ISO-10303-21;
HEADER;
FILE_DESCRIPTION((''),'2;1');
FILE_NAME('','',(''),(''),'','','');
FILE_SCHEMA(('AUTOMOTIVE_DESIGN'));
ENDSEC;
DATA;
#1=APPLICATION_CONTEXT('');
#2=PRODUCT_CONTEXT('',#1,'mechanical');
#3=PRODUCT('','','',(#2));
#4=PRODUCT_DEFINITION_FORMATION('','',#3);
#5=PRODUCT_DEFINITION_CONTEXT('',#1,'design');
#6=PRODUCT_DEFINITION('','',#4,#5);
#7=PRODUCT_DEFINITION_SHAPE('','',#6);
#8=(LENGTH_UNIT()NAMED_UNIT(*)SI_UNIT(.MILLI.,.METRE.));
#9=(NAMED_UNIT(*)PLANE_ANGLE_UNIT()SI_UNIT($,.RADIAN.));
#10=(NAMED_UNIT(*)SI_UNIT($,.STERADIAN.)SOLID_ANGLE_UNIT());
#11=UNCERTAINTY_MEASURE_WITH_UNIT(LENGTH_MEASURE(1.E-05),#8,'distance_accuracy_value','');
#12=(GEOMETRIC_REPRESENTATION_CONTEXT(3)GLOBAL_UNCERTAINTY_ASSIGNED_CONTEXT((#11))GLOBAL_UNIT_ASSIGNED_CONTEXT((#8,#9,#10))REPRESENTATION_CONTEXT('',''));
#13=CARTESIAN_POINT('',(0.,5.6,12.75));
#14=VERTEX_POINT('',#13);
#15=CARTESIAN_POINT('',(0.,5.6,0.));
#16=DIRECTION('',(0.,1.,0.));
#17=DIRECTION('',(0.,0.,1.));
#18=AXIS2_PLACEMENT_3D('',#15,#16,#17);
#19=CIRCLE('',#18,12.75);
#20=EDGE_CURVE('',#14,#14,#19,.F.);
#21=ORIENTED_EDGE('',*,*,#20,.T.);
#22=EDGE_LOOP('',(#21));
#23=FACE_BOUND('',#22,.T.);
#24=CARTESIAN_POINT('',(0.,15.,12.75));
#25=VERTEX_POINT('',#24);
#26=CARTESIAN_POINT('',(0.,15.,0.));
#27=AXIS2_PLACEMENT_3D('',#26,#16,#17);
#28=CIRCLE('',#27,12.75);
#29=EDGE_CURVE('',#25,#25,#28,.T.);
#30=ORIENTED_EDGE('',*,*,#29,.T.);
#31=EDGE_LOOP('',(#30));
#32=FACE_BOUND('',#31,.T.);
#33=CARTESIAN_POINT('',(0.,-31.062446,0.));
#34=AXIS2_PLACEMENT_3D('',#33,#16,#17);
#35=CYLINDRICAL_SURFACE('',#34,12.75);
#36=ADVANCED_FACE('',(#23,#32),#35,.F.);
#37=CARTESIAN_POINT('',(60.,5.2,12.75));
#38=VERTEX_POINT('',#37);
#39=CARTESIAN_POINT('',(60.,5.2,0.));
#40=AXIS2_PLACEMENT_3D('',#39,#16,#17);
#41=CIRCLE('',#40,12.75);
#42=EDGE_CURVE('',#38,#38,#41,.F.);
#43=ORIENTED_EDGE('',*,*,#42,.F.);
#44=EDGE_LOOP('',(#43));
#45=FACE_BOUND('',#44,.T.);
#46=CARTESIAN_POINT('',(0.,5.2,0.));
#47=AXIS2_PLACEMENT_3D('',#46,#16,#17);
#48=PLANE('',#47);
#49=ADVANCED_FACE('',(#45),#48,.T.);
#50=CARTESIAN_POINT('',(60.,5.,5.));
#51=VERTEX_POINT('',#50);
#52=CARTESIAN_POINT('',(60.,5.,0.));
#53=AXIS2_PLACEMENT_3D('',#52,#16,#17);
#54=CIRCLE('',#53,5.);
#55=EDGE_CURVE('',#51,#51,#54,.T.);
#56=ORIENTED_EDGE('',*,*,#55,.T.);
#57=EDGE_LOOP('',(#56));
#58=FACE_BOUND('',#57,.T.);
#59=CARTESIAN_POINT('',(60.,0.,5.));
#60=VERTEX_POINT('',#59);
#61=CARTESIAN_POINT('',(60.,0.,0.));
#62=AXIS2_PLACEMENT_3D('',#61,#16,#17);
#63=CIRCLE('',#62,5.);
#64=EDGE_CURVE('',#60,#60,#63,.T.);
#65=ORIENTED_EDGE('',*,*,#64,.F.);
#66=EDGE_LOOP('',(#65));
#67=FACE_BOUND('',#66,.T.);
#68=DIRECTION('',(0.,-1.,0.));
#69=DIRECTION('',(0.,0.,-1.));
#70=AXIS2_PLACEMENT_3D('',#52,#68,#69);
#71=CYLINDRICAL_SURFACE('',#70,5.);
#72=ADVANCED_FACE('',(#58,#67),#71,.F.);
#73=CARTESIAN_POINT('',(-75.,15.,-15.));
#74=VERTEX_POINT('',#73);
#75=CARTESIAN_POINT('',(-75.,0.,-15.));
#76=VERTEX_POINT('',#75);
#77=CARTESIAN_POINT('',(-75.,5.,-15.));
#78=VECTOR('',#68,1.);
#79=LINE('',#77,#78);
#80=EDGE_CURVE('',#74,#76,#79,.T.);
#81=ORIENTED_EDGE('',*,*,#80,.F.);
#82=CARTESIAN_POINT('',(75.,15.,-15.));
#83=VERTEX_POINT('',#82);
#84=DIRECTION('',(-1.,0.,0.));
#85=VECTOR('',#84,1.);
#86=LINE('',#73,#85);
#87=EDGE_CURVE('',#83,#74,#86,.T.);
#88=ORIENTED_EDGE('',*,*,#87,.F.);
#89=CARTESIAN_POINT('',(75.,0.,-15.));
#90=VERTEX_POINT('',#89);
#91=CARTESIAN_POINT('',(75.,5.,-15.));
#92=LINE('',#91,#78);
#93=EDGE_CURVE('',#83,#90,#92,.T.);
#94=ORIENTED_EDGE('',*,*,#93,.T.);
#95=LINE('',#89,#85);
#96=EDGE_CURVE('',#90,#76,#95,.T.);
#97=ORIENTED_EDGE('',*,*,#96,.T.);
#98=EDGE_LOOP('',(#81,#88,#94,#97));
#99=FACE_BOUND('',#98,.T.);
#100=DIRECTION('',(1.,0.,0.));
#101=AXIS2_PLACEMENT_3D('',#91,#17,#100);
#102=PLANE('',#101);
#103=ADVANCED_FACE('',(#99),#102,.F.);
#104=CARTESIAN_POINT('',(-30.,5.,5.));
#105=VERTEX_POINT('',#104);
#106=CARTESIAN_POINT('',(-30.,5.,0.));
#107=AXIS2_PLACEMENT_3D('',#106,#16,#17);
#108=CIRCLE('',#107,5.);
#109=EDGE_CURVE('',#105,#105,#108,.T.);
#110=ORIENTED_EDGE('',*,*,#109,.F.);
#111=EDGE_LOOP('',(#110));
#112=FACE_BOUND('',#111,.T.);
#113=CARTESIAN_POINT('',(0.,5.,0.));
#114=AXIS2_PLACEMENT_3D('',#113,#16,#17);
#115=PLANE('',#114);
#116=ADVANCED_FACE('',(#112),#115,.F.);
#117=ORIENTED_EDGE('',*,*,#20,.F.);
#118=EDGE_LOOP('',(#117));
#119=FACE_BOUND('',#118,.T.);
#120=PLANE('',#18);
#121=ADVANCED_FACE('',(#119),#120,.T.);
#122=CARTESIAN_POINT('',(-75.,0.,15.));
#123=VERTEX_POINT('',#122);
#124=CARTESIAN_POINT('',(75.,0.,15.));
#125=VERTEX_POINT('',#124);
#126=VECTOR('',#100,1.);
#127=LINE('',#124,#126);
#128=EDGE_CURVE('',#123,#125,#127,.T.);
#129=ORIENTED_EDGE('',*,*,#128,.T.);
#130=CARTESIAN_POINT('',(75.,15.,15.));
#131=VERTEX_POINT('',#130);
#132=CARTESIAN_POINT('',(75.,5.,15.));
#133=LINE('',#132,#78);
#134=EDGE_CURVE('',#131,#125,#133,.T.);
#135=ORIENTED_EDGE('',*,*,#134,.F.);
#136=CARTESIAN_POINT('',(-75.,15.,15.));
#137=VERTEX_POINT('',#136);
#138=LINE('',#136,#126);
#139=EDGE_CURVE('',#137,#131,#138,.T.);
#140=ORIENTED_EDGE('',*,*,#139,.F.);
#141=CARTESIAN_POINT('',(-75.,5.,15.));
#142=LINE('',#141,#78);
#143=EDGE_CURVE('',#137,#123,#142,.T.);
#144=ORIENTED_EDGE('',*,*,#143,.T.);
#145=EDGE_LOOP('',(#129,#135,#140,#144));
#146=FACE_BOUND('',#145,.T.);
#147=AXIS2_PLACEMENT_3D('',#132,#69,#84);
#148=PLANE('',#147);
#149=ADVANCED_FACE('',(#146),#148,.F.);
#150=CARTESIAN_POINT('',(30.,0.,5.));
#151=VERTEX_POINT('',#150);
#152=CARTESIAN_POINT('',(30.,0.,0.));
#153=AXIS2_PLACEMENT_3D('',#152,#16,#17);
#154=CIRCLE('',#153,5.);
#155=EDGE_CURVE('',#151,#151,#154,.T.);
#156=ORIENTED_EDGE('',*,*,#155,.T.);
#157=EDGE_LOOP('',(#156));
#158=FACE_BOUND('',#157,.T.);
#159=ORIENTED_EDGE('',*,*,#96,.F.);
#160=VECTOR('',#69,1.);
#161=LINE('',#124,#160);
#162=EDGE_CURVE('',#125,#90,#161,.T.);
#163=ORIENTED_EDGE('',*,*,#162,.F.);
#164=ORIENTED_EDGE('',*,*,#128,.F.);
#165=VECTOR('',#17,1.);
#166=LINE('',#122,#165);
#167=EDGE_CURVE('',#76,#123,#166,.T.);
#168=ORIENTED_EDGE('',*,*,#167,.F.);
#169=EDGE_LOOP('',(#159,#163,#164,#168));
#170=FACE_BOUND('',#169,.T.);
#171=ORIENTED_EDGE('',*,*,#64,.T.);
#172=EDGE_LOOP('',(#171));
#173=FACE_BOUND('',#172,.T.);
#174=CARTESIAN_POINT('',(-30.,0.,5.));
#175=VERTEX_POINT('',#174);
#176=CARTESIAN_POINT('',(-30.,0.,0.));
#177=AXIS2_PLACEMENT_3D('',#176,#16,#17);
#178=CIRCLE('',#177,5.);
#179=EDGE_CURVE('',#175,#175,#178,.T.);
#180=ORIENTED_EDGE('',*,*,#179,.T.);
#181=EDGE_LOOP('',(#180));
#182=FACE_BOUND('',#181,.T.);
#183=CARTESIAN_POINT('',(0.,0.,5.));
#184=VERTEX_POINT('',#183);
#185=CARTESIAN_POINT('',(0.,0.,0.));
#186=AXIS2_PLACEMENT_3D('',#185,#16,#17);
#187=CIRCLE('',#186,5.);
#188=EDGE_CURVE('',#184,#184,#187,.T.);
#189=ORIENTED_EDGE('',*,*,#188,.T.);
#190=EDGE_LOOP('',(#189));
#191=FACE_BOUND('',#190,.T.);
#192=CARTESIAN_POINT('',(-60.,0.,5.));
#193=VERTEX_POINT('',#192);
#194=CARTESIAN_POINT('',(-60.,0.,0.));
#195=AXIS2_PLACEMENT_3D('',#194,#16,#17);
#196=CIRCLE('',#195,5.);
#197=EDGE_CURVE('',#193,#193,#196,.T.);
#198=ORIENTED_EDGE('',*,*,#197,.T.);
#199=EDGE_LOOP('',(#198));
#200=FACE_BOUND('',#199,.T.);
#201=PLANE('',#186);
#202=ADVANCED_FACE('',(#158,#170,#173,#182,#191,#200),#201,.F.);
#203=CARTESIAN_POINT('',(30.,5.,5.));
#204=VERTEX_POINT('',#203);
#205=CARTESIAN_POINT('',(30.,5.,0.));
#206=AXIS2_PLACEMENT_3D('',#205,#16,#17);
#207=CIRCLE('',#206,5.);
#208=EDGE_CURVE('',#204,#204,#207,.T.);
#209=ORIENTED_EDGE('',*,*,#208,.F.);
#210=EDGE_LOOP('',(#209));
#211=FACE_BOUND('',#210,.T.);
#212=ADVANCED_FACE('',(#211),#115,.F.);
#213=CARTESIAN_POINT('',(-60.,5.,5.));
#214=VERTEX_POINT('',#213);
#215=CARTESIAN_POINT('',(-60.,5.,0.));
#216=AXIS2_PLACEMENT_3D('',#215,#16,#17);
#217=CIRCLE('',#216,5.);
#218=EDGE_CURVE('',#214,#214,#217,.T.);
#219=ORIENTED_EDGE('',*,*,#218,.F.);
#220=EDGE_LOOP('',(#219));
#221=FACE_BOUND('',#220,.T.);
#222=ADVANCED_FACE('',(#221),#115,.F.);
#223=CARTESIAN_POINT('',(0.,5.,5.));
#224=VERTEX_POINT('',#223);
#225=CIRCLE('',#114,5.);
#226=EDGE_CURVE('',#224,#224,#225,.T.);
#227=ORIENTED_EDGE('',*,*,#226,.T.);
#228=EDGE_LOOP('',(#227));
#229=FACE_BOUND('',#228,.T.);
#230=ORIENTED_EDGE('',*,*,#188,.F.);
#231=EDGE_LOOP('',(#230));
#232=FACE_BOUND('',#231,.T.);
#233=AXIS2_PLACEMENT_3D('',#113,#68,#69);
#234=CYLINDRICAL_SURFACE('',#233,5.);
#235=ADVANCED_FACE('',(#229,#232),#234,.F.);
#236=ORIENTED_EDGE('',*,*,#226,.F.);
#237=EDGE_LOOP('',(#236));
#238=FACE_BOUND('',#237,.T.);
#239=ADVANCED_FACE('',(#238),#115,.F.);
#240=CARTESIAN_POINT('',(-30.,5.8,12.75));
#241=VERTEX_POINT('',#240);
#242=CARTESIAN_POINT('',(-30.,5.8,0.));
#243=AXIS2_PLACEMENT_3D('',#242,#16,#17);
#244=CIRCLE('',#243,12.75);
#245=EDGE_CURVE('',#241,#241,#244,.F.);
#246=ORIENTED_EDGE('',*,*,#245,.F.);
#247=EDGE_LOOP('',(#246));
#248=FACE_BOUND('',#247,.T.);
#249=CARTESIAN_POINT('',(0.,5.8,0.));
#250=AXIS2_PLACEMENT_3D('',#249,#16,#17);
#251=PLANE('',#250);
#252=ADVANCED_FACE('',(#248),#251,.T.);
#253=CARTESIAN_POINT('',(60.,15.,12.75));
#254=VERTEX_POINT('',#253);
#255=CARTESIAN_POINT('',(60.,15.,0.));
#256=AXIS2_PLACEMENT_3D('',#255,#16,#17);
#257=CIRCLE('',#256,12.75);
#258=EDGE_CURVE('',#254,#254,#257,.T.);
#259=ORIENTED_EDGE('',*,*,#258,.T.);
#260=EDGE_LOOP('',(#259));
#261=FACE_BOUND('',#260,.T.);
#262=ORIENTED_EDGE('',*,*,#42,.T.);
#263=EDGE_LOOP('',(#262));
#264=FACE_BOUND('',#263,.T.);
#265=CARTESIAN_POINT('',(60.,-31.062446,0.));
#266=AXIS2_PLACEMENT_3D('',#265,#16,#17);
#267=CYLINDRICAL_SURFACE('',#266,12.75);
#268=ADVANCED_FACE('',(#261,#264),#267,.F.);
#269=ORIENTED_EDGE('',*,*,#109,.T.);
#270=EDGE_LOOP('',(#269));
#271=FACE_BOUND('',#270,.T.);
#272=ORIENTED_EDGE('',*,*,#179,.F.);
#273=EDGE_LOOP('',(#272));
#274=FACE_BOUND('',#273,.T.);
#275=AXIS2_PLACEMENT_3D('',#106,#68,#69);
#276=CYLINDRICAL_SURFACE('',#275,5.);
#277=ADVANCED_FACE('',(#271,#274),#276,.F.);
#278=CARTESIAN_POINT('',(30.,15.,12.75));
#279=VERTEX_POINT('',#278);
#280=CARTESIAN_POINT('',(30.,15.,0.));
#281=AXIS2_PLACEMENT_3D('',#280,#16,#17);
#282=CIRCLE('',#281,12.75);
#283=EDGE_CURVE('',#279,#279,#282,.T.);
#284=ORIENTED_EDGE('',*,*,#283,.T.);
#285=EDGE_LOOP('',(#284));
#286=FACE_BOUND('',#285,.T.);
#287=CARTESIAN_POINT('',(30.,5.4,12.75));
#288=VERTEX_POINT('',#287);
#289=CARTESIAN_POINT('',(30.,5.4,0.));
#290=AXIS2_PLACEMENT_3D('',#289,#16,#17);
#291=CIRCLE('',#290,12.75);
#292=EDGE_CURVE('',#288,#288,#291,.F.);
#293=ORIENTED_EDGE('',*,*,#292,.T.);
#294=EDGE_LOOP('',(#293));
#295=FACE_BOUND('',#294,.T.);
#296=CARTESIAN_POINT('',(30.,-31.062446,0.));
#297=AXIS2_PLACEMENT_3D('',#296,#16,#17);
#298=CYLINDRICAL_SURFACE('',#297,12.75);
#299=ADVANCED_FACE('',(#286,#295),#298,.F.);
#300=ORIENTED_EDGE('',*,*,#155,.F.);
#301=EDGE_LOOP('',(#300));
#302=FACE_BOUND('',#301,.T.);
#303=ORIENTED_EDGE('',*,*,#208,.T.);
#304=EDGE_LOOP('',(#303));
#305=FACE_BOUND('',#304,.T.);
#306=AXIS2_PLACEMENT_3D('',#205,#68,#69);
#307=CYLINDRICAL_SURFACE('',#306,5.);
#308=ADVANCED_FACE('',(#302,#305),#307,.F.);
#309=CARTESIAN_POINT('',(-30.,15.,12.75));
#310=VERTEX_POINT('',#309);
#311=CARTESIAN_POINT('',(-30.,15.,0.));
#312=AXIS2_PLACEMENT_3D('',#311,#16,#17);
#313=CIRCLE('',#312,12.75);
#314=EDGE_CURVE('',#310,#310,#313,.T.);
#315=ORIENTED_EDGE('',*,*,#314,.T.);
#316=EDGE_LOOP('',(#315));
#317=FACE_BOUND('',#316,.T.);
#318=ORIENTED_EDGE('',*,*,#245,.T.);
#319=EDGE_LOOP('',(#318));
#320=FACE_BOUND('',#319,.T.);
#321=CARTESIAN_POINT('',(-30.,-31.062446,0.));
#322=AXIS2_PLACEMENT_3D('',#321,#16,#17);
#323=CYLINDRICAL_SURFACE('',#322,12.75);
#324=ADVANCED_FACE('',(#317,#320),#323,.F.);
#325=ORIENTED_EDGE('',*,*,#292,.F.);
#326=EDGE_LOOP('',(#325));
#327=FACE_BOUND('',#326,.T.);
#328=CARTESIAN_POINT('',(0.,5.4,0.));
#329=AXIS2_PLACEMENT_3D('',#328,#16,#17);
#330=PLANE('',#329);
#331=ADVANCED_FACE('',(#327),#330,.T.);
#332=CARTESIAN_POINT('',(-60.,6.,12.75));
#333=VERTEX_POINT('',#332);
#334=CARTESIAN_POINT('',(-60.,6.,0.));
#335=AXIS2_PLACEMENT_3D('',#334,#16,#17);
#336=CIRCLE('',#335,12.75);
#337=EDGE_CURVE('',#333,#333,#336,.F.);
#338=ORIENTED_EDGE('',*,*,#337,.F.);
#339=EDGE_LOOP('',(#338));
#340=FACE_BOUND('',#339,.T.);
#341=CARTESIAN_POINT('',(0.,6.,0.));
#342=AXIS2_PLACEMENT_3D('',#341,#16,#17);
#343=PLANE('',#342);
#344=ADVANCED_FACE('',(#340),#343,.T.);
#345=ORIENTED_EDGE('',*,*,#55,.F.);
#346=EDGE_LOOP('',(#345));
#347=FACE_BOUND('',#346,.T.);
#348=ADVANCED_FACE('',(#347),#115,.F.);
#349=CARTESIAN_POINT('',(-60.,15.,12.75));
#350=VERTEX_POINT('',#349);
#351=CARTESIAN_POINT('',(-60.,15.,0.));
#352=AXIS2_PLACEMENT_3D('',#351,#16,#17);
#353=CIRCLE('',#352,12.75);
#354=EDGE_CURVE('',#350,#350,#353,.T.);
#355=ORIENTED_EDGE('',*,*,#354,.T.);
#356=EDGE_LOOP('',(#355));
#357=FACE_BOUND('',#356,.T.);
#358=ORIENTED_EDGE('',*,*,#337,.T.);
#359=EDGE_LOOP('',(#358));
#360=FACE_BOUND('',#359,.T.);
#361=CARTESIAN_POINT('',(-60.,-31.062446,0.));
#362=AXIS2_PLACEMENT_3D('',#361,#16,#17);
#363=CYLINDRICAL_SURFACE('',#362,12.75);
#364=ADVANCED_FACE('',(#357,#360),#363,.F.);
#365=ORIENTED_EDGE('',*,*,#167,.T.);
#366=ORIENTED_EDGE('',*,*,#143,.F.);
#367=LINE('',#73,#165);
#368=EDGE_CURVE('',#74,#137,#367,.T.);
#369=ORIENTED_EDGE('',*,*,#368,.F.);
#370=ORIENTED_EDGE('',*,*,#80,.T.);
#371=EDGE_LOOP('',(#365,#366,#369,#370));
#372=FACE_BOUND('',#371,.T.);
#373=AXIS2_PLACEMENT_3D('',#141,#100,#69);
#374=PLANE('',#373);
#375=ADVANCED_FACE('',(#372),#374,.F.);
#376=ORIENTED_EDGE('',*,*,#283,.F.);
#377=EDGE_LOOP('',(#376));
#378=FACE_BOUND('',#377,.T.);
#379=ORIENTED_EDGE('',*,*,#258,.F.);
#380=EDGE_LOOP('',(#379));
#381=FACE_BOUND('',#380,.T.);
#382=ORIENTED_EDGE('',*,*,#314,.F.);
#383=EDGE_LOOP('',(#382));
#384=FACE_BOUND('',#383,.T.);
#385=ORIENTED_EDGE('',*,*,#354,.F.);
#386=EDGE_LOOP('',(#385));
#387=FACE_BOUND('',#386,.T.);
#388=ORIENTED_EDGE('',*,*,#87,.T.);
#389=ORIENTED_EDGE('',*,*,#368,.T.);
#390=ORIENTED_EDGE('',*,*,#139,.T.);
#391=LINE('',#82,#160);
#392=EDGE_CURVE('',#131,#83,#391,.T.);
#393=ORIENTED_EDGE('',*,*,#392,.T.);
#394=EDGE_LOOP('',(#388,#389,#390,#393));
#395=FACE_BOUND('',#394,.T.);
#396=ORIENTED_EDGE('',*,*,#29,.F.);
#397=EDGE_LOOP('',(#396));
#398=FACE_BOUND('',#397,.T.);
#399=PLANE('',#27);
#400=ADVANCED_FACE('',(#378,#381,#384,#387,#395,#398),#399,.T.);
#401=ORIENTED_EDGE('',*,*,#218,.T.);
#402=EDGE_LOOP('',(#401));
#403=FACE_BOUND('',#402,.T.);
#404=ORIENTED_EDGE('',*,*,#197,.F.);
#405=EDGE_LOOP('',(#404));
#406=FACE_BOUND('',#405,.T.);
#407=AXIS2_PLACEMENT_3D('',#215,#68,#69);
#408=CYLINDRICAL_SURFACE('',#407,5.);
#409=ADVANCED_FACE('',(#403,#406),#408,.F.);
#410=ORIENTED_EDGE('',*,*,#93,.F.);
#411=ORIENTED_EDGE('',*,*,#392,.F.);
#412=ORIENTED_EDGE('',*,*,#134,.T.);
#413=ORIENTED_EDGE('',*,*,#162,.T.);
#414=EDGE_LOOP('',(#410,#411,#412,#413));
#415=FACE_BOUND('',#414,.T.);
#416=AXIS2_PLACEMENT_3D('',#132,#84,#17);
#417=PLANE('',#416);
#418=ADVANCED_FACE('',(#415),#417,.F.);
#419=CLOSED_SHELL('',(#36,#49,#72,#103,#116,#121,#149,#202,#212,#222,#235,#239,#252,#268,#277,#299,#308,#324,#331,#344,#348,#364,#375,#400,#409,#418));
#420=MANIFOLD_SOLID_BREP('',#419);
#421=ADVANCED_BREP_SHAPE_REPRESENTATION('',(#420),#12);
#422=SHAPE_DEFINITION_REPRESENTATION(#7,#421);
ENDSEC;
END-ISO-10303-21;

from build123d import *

# Parameters (mm, degrees)
SKETCH1_W           = 150
SKETCH1_H           = 30
SKETCH1_R           = 5
BOSS_EXTRUDE1_DEPTH = 5
SKETCH2_W           = 150
SKETCH2_H           = 30
BOSS_EXTRUDE2_DEPTH = 10
SKETCH3_R           = 12.75
CUT_EXTRUDE1_DEPTH  = 9
SKETCH3_3_R         = 12.75
CUT_EXTRUDE2_DEPTH  = 9.2
SKETCH3_4_R         = 12.75
CUT_EXTRUDE3_DEPTH  = 9.4
SKETCH3_5_R         = 12.75
CUT_EXTRUDE4_DEPTH  = 9.6
SKETCH3_6_R         = 12.75
CUT_EXTRUDE5_DEPTH  = 9.8


with BuildPart() as part:
    # Sketch1 → Boss-Extrude1 (new body)
    with BuildSketch(Plane(origin=(0, 0, 0), x_dir=(1, 0, 0), z_dir=(0, 1, 0))):
        Rectangle(SKETCH1_W, SKETCH1_H)
        with Locations(Location((-60, 0, 0), (0, 0, 270))):
            Circle(SKETCH1_R, mode=Mode.SUBTRACT)
        with Locations(Location((-30, 0, 0), (0, 0, 270))):
            Circle(SKETCH1_R, mode=Mode.SUBTRACT)
        with Locations(Location((0, 0, 0), (0, 0, 270))):
            Circle(SKETCH1_R, mode=Mode.SUBTRACT)
        with Locations(Location((30, 0, 0), (0, 0, 270))):
            Circle(SKETCH1_R, mode=Mode.SUBTRACT)
        with Locations(Location((60, 0, 0), (0, 0, 270))):
            Circle(SKETCH1_R, mode=Mode.SUBTRACT)
    extrude(amount=BOSS_EXTRUDE1_DEPTH)

    # Sketch2 → Boss-Extrude2 (add)
    with BuildSketch(Plane(origin=(0, 5, 0), x_dir=(1, 0, 0), z_dir=(0, 1, 0))):
        Rectangle(SKETCH2_W, SKETCH2_H)
    extrude(amount=BOSS_EXTRUDE2_DEPTH)

    # Sketch3 → Cut-Extrude1 (cut)
    with BuildSketch(Plane(origin=(0, 15, 0), x_dir=(1, 0, 0), z_dir=(0, 1, 0))):
        with Locations(Location((-60, 0, 0), (0, 0, 270))):
            Circle(SKETCH3_R)
    extrude(amount=-CUT_EXTRUDE1_DEPTH, mode=Mode.SUBTRACT)

    # Sketch3<3> → Cut-Extrude2 (cut)
    with BuildSketch(Plane(origin=(0, 15, 0), x_dir=(1, 0, 0), z_dir=(0, 1, 0))):
        with Locations(Location((-30, 0, 0), (0, 0, 270))):
            Circle(SKETCH3_3_R)
    extrude(amount=-CUT_EXTRUDE2_DEPTH, mode=Mode.SUBTRACT)

    # Sketch3<4> → Cut-Extrude3 (cut)
    with BuildSketch(Plane(origin=(0, 15, 0), x_dir=(1, 0, 0), z_dir=(0, 1, 0))):
        with Locations(Location((0, 0, 0), (0, 0, 270))):
            Circle(SKETCH3_4_R)
    extrude(amount=-CUT_EXTRUDE3_DEPTH, mode=Mode.SUBTRACT)

    # Sketch3<5> → Cut-Extrude4 (cut)
    with BuildSketch(Plane(origin=(0, 15, 0), x_dir=(1, 0, 0), z_dir=(0, 1, 0))):
        with Locations(Location((30, 0, 0), (0, 0, 270))):
            Circle(SKETCH3_5_R)
    extrude(amount=-CUT_EXTRUDE4_DEPTH, mode=Mode.SUBTRACT)

    # Sketch3<6> → Cut-Extrude5 (cut)
    with BuildSketch(Plane(origin=(0, 15, 0), x_dir=(1, 0, 0), z_dir=(0, 1, 0))):
        with Locations(Location((60, 0, 0), (0, 0, 270))):
            Circle(SKETCH3_6_R)
    extrude(amount=-CUT_EXTRUDE5_DEPTH, mode=Mode.SUBTRACT)


solid = part.part
